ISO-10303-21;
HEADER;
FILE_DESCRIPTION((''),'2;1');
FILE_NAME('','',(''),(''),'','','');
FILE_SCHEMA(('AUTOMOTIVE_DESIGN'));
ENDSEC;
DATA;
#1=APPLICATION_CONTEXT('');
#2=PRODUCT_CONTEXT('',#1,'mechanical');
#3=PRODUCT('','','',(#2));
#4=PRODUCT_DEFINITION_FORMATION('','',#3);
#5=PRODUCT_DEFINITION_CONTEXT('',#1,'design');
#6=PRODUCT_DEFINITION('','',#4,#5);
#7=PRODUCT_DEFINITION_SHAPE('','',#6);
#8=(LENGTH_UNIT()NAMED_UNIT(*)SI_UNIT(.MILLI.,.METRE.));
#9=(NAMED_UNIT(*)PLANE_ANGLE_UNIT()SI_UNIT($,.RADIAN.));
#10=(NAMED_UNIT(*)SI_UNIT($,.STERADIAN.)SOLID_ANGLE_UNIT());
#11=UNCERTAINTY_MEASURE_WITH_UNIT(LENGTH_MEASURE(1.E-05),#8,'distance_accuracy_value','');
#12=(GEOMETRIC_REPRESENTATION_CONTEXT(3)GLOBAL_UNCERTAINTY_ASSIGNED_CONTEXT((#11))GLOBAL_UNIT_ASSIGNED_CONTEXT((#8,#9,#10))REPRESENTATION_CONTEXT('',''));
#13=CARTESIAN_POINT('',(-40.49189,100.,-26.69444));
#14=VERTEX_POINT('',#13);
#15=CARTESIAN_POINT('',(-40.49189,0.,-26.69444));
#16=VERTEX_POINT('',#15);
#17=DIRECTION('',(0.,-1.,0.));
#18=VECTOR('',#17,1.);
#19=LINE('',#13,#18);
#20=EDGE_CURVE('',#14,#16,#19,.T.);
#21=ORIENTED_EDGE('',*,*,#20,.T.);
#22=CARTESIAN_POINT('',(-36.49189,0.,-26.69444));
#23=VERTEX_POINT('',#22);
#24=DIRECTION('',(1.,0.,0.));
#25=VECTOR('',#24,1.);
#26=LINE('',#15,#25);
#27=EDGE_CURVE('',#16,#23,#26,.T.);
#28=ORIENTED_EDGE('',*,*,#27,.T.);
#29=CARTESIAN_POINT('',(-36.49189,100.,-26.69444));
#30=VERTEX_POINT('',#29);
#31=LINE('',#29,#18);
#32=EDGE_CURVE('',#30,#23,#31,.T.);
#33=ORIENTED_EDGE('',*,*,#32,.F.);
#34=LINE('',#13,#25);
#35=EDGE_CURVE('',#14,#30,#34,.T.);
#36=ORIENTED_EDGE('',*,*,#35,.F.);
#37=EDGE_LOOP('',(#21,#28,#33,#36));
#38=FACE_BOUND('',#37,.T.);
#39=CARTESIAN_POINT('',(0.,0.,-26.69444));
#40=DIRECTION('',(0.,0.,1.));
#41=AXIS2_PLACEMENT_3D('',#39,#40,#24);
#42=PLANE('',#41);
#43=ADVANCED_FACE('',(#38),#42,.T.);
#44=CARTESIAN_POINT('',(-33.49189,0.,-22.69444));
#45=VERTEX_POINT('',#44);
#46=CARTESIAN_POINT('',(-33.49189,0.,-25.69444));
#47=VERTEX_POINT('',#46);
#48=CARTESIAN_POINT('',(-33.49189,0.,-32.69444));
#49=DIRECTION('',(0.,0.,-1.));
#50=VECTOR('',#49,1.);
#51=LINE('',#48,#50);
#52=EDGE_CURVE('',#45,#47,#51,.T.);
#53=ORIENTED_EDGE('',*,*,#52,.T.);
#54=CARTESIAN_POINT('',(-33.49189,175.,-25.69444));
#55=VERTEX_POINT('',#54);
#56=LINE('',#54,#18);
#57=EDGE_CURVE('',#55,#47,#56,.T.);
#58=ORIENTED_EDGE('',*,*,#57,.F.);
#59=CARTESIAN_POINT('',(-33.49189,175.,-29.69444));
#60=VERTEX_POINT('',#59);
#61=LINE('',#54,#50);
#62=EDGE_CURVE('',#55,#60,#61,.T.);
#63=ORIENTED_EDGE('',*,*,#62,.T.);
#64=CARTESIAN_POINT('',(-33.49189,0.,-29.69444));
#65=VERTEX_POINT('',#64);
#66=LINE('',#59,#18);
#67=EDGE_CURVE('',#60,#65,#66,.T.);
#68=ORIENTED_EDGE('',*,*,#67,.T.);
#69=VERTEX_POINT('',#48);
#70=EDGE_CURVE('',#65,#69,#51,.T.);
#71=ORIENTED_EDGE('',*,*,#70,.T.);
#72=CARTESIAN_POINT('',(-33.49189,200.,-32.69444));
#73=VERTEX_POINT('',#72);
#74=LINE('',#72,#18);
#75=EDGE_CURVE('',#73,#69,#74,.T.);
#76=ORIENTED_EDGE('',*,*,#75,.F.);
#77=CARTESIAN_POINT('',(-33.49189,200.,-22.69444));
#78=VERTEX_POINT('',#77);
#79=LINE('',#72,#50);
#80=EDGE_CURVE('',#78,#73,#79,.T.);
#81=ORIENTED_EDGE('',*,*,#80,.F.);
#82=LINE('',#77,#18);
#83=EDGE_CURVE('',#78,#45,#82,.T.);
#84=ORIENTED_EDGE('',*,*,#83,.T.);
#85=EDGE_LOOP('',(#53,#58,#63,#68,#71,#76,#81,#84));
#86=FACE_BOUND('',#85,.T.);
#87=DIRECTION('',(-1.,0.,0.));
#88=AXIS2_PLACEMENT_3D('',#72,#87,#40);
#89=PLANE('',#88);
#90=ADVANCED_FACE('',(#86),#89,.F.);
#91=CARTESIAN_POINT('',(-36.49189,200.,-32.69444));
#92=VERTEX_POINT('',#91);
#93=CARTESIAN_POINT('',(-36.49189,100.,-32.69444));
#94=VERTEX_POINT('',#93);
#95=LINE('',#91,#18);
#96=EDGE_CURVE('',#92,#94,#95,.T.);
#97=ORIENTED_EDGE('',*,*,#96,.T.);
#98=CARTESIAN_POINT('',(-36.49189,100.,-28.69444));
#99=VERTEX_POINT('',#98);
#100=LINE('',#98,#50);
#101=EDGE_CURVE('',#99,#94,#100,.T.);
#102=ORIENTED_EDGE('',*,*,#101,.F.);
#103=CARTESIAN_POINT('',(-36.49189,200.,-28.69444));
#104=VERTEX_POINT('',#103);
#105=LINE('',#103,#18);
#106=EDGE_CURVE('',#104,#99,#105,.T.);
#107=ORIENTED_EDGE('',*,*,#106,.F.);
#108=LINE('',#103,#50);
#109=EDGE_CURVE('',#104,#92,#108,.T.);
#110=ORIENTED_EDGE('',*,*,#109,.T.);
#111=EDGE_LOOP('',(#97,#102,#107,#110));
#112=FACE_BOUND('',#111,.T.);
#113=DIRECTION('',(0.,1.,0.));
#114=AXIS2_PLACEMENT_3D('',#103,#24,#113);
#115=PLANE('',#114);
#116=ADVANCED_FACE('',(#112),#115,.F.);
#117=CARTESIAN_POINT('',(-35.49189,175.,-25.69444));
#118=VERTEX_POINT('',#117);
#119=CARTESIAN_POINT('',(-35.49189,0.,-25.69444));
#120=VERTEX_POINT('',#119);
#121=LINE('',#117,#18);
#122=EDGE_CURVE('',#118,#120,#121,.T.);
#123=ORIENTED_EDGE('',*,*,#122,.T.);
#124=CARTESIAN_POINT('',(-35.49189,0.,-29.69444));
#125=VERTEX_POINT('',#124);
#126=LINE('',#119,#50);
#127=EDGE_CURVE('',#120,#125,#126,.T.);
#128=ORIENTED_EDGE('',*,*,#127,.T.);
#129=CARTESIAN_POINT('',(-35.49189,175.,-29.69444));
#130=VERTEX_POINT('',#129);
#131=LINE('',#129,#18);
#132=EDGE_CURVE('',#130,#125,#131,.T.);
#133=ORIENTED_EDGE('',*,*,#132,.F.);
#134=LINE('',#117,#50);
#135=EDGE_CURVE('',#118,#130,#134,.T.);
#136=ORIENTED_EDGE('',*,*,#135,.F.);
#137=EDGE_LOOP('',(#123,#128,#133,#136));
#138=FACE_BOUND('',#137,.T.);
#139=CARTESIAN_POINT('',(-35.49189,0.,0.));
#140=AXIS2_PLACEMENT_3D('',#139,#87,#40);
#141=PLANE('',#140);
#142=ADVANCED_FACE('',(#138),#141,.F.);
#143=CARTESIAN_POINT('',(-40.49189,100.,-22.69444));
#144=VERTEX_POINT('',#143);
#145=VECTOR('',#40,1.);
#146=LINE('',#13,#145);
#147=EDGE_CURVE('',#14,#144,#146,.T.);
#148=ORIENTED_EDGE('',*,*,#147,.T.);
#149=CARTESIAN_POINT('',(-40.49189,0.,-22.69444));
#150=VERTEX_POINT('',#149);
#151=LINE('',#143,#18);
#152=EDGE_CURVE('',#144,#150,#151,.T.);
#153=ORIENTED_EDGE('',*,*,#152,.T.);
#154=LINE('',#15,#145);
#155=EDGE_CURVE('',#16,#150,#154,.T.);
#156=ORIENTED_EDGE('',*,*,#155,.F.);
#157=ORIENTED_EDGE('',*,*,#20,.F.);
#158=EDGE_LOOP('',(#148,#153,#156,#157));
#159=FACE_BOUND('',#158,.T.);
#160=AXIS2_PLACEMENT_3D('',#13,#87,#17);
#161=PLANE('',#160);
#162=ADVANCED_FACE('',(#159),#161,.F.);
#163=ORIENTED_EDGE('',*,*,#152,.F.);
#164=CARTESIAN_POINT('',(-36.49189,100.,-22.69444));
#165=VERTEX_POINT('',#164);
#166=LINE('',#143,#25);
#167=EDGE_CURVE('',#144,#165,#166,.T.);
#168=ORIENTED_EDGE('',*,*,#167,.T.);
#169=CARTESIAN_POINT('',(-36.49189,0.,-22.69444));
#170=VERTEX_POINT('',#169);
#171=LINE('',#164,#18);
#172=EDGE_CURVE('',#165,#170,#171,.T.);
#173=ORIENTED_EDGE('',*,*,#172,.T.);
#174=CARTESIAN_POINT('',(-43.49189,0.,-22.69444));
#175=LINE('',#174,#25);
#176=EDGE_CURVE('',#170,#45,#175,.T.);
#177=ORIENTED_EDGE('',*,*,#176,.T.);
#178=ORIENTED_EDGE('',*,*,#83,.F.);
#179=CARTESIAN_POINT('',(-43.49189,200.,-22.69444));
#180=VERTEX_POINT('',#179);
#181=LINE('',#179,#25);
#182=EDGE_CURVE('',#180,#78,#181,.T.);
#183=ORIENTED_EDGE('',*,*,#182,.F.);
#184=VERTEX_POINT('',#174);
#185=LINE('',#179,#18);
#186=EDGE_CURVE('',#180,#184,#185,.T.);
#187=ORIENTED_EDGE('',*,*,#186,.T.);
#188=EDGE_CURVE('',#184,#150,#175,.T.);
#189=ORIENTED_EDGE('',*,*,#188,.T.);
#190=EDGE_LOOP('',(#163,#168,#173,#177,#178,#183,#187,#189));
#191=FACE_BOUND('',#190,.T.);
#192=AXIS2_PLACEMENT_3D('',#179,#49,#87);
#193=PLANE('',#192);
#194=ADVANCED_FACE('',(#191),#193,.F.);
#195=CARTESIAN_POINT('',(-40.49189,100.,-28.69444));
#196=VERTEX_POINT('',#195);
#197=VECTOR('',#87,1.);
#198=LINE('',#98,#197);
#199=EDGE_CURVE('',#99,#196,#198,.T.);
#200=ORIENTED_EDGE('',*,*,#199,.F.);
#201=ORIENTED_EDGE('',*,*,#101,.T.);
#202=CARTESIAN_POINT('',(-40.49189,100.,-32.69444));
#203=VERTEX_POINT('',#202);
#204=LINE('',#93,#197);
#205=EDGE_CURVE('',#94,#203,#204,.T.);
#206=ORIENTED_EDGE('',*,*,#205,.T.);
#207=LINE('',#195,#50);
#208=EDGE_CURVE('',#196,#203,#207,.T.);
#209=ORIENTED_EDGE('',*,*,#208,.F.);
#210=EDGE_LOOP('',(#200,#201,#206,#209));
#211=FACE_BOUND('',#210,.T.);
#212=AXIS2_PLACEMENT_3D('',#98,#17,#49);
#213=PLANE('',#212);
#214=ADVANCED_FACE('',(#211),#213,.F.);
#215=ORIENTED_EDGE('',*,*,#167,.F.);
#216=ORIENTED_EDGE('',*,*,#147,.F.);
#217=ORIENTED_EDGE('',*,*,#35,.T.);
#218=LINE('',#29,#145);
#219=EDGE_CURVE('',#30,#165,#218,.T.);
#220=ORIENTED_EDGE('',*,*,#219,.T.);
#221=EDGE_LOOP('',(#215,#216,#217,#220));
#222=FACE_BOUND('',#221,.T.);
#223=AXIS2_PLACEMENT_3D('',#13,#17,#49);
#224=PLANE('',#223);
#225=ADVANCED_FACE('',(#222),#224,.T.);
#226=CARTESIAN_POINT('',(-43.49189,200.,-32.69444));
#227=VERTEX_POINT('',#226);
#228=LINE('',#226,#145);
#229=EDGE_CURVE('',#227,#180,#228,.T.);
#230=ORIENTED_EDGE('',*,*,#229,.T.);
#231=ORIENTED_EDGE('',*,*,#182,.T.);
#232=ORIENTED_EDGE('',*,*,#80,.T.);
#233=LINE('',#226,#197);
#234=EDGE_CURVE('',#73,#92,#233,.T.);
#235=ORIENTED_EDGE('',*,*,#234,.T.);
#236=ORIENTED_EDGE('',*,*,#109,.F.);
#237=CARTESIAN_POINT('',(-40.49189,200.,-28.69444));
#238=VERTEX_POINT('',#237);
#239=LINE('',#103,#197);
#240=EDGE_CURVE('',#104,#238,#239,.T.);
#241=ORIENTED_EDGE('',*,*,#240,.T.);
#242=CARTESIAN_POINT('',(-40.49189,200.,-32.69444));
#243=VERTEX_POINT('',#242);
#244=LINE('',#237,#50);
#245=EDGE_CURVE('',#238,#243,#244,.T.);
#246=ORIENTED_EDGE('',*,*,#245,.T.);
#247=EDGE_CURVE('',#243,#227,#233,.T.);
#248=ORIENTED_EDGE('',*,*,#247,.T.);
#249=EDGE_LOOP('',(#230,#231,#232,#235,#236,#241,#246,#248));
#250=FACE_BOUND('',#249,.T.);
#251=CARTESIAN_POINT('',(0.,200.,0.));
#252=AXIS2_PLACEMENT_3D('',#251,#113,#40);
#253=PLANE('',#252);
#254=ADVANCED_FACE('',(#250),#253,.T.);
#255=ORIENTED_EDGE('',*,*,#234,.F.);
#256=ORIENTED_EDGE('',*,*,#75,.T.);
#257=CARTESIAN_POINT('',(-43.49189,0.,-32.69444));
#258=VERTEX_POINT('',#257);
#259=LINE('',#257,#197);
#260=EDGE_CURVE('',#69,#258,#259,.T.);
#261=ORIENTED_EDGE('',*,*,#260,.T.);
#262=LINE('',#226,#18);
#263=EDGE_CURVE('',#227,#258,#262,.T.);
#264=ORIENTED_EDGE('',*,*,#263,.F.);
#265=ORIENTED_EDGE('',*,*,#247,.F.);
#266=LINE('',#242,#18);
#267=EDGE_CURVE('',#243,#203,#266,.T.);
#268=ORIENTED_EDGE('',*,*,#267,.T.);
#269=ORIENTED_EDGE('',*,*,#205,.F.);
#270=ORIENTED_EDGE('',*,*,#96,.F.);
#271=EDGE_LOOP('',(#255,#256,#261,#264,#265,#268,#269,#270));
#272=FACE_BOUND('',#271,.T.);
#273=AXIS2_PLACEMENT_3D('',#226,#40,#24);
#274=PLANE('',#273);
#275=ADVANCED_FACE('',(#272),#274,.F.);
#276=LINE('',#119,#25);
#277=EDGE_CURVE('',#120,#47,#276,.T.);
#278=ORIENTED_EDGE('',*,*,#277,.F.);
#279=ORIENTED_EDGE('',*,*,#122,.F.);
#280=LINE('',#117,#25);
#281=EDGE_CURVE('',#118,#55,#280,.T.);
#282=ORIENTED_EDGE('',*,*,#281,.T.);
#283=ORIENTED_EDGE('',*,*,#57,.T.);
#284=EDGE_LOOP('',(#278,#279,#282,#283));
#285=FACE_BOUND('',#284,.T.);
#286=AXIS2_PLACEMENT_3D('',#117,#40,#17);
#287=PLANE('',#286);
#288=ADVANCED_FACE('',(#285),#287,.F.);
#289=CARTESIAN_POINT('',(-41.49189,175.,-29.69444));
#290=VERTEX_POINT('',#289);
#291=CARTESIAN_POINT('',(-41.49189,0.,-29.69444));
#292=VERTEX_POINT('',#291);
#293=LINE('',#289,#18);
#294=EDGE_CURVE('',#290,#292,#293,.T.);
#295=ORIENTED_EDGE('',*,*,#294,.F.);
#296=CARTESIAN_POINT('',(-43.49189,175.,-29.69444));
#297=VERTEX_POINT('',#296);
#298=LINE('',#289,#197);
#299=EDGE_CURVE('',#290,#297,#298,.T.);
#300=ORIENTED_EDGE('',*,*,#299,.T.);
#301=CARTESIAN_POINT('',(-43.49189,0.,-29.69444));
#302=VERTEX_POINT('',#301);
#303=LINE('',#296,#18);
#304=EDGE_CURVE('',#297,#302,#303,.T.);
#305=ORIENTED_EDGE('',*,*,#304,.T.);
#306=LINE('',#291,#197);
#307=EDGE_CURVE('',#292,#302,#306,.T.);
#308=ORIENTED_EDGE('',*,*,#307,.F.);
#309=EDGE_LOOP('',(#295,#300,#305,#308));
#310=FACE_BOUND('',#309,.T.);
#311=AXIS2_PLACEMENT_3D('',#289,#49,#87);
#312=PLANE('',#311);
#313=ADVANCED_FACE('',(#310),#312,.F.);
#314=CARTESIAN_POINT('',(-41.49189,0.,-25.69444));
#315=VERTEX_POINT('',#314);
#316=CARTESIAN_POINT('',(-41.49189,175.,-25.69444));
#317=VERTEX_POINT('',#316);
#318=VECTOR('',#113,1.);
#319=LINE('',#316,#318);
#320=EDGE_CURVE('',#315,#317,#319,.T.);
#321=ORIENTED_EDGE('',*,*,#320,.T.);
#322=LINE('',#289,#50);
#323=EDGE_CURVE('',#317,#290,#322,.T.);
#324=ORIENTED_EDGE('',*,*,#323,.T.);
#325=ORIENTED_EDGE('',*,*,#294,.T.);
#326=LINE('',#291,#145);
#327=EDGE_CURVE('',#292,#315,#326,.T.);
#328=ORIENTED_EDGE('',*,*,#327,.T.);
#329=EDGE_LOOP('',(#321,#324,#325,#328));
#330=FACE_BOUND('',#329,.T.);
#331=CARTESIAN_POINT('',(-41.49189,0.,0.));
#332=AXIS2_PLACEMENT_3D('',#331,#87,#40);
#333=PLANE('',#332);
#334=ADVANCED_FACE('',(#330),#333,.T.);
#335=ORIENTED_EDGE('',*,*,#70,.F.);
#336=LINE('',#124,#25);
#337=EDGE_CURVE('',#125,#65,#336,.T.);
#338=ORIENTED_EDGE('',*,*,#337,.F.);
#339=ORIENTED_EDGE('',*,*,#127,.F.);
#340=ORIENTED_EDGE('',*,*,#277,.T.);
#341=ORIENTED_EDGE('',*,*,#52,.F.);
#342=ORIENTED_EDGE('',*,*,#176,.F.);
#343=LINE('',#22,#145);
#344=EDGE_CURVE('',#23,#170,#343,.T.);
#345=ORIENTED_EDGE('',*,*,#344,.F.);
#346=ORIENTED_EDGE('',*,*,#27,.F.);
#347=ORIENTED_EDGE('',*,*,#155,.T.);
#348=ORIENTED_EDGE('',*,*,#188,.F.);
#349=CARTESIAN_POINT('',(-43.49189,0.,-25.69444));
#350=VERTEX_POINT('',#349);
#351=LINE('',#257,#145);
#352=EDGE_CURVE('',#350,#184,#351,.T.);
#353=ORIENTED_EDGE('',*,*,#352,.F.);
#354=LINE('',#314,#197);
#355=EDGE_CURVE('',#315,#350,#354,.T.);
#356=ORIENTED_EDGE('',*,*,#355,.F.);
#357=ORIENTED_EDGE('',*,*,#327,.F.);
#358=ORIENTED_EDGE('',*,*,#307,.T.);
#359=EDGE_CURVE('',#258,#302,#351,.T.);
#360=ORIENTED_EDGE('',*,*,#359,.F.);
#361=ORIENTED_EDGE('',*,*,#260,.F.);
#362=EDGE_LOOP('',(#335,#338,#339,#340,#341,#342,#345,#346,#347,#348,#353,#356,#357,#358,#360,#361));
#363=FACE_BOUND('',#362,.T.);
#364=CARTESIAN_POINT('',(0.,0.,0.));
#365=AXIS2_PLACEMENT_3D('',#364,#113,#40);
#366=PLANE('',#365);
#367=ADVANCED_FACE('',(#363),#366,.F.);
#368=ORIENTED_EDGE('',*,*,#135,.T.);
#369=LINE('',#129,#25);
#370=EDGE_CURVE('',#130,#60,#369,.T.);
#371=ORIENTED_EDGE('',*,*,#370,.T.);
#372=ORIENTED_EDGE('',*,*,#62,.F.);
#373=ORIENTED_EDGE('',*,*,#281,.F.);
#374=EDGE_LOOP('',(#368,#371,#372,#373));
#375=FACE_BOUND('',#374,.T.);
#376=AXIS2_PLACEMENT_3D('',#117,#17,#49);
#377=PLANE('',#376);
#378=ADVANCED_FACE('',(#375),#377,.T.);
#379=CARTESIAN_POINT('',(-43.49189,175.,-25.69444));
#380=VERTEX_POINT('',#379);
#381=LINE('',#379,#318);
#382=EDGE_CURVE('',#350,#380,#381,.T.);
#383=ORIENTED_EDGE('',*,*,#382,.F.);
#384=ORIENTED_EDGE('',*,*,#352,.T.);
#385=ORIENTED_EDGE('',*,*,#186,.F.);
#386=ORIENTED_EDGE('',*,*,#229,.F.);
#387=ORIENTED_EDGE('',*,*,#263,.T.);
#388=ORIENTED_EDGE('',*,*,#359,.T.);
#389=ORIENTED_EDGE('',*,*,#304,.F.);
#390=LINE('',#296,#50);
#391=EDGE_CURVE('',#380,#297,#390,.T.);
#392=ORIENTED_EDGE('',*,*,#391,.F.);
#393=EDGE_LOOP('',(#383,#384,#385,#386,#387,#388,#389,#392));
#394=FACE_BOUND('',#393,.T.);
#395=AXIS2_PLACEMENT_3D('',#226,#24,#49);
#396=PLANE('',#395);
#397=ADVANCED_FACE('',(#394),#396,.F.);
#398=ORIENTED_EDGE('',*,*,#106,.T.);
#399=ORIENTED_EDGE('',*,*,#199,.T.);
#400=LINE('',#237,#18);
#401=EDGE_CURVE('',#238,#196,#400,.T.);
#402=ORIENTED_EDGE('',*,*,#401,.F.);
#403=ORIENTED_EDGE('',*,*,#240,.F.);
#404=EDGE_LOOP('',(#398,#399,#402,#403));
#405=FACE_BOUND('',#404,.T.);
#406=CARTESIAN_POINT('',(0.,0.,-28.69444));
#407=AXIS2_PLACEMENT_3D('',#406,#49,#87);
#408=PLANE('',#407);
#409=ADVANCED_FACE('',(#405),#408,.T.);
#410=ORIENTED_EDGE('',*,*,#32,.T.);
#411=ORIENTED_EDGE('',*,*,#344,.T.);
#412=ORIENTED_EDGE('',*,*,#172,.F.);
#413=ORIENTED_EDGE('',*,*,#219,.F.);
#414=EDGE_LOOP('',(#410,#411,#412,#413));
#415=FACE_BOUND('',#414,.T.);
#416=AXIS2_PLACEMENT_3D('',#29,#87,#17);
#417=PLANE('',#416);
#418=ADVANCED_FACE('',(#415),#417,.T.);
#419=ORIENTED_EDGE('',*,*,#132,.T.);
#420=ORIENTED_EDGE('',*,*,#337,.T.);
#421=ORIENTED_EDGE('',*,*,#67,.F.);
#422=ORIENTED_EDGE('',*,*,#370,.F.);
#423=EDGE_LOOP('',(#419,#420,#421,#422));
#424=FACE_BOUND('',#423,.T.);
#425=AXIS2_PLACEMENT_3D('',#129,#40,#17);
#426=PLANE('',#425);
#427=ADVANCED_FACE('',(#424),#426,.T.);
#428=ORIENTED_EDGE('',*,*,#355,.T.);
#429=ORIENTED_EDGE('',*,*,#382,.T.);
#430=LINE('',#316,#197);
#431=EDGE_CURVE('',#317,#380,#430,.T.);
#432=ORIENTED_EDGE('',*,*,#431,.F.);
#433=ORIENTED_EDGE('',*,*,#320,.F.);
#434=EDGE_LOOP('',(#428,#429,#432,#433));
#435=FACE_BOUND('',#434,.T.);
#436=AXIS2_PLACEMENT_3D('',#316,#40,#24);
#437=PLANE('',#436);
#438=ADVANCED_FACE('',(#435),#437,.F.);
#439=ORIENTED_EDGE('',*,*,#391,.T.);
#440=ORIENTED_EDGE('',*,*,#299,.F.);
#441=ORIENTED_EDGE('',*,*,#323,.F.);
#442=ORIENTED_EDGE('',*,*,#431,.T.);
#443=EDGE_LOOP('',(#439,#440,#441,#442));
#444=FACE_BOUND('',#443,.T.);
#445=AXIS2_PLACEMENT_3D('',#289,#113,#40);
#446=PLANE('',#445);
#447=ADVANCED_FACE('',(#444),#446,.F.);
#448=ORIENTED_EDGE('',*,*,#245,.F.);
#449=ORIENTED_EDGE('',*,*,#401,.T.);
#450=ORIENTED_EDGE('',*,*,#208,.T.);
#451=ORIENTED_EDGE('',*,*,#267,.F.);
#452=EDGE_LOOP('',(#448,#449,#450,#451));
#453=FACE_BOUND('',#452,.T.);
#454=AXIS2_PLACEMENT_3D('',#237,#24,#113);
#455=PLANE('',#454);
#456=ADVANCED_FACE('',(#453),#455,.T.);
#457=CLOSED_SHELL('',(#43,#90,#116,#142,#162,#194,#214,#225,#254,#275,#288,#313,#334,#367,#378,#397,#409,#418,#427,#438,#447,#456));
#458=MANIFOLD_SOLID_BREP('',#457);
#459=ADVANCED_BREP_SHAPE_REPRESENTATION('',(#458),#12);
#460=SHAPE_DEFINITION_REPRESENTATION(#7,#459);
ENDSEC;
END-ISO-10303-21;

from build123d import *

# Parameters (mm, degrees)
SKETCH1_W           = 10
SKETCH1_H           = 10
BOSS_EXTRUDE1_DEPTH = 200
SKETCH3_W           = 4
SKETCH3_H           = 100
CUT_EXTRUDE3_DEPTH  = 4
SKETCH5_W           = 4
SKETCH5_H           = 175
CUT_EXTRUDE4_DEPTH  = 2
SKETCH2_W           = 4
SKETCH2_H           = 100
CUT_EXTRUDE5_DEPTH  = 4
SKETCH4_W           = 4
SKETCH4_H           = 175
CUT_EXTRUDE6_DEPTH  = 2


with BuildPart() as part:
    # Sketch1 → Boss-Extrude1 (new body)
    with BuildSketch(Plane(origin=(0, 0, 0), x_dir=(1, 0, 0), z_dir=(0, 1, 0))):
        with Locations((-38.49189023, 27.694440025)):
            Rectangle(SKETCH1_W, SKETCH1_H)
    extrude(amount=BOSS_EXTRUDE1_DEPTH)

    # Sketch3 → Cut-Extrude3 (cut)
    with BuildSketch(Plane(origin=(0, 0, -32.694440025), x_dir=(-1, 0, 0), z_dir=(0, 0, -1))):
        with Locations((38.49189023, 150)):
            Rectangle(SKETCH3_W, SKETCH3_H)
    extrude(amount=-CUT_EXTRUDE3_DEPTH, mode=Mode.SUBTRACT)

    # Sketch5 → Cut-Extrude4 (cut)
    with BuildSketch(Plane.ZY.offset(43.49189023)):
        with Locations((-27.694440025, 87.5)):
            Rectangle(SKETCH5_W, SKETCH5_H)
    extrude(amount=-CUT_EXTRUDE4_DEPTH, mode=Mode.SUBTRACT)

    # Sketch2 → Cut-Extrude5 (cut)
    with BuildSketch(Plane.XY.offset(-22.694440025)):
        with Locations((-38.49189023, 50)):
            Rectangle(SKETCH2_W, SKETCH2_H)
    extrude(amount=-CUT_EXTRUDE5_DEPTH, mode=Mode.SUBTRACT)

    # Sketch4 → Cut-Extrude6 (cut)
    with BuildSketch(Plane(origin=(-33.49189023, 0, 0), x_dir=(0, 0, -1), z_dir=(1, 0, 0))):
        with Locations((27.694440025, 87.5)):
            Rectangle(SKETCH4_W, SKETCH4_H)
    extrude(amount=-CUT_EXTRUDE6_DEPTH, mode=Mode.SUBTRACT)


solid = part.part
